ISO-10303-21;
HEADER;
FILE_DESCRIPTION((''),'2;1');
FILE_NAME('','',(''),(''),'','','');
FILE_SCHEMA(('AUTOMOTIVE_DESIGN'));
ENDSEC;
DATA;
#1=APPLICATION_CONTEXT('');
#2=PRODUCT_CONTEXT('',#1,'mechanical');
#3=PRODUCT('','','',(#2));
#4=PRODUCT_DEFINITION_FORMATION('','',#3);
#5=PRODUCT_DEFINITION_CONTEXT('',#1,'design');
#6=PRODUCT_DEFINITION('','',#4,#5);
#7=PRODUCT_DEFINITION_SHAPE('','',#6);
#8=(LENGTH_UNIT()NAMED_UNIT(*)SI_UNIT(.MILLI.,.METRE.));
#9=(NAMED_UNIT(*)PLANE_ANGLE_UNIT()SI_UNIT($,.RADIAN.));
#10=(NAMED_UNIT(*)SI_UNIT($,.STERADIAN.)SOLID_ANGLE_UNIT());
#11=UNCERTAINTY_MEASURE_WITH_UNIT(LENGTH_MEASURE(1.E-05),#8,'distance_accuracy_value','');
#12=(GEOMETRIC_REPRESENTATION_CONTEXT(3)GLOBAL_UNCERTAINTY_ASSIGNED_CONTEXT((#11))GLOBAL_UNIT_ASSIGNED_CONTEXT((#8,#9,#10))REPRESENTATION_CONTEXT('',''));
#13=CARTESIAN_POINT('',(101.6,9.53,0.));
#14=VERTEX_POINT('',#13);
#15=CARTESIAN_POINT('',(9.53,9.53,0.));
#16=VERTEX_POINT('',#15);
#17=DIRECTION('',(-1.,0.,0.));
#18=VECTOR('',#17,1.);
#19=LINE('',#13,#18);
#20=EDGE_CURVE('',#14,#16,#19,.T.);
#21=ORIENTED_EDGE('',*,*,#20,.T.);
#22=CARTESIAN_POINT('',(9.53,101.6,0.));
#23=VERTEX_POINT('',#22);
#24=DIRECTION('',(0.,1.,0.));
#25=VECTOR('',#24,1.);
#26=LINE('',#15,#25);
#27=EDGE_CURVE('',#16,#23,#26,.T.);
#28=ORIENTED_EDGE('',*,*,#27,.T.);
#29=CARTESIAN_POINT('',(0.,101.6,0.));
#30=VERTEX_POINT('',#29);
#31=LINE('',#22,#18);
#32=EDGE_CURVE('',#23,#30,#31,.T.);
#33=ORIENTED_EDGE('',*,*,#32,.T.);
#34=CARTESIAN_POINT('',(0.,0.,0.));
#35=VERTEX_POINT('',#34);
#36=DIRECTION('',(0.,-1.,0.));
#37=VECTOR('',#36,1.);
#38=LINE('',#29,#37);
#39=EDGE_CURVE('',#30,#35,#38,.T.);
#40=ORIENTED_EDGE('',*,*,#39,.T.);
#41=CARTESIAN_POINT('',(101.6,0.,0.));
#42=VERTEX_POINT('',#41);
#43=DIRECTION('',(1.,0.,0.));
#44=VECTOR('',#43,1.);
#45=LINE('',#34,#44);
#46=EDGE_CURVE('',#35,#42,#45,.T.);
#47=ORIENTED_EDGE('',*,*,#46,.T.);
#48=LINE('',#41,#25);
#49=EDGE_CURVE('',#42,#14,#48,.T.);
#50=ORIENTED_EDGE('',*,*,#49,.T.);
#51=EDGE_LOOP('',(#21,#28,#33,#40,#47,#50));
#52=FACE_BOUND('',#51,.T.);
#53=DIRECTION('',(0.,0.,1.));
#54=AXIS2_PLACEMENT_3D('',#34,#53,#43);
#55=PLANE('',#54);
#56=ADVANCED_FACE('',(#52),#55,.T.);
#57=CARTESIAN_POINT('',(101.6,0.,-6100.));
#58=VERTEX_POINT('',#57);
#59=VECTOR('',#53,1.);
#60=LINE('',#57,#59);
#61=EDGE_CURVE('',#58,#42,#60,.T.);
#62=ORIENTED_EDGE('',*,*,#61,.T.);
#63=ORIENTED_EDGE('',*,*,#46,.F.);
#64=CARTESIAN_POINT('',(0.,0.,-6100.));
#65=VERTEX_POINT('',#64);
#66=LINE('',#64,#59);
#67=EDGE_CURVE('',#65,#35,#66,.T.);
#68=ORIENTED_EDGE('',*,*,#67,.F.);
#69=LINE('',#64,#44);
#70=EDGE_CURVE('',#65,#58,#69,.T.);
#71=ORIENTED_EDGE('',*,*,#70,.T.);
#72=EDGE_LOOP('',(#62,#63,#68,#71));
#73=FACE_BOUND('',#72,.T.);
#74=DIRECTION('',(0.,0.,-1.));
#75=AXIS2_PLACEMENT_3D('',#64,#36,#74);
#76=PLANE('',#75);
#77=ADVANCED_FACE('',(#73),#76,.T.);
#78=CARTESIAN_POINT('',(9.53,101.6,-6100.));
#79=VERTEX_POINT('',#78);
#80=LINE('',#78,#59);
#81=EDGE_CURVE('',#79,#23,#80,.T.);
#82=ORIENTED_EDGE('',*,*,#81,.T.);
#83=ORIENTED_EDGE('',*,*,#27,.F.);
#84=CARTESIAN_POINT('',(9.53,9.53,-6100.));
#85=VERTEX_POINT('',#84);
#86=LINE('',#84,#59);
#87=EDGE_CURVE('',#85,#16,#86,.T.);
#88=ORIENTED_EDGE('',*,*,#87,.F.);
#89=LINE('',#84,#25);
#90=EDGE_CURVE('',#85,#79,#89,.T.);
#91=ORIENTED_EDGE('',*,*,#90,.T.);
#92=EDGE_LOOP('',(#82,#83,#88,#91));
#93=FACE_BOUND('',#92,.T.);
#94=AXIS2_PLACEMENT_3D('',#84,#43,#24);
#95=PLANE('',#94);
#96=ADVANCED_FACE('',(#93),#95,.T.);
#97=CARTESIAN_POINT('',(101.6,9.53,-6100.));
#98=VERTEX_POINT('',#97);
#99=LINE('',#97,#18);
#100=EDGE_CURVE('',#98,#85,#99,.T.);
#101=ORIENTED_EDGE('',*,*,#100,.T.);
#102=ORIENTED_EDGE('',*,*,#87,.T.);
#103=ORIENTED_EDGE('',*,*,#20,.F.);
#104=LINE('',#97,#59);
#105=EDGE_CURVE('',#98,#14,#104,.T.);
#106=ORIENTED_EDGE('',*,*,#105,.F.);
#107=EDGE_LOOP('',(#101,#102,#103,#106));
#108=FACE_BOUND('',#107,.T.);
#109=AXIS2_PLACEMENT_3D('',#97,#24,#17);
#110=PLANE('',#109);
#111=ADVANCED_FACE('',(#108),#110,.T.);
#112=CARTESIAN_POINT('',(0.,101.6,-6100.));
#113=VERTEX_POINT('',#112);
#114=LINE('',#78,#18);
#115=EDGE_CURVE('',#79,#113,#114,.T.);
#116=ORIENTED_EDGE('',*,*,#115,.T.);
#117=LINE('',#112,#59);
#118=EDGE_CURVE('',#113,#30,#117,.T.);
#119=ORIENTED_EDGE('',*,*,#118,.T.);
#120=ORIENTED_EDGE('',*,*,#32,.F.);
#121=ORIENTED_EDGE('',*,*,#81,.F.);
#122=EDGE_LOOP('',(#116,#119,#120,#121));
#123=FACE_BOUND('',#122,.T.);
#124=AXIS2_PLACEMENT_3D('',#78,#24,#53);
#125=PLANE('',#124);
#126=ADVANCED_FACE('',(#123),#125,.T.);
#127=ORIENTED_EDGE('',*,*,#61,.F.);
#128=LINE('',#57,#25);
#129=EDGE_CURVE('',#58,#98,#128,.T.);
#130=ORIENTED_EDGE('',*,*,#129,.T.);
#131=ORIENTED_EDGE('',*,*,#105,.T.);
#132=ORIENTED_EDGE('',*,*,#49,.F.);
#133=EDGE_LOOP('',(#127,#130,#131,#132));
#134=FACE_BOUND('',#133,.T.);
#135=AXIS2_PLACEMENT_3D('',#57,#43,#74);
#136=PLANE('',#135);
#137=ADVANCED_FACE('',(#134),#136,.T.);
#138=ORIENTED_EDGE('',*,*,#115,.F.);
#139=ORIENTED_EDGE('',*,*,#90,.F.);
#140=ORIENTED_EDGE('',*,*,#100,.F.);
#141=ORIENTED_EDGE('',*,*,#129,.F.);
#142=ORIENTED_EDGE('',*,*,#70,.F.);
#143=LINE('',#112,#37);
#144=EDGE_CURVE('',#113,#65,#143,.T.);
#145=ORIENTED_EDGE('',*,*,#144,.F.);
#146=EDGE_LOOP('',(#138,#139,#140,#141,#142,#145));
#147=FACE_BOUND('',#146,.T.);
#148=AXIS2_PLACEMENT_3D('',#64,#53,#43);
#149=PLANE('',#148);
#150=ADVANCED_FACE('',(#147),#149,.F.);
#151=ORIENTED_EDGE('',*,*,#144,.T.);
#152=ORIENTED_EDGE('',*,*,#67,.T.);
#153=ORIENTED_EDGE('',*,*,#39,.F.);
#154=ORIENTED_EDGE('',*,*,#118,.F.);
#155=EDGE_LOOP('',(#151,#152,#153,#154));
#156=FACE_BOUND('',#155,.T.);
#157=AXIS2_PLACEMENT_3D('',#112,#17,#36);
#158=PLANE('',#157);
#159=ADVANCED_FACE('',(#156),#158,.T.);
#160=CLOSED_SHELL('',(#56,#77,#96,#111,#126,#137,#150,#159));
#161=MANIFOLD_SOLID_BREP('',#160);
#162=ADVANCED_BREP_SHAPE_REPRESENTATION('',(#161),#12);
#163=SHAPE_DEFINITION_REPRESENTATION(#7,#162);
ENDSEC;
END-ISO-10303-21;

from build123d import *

# Parameters (mm, degrees)
SALIENTE_EXTRUIR1_DEPTH = 6100


with BuildPart() as part:
    # Croquis1 → Saliente-Extruir1 (new body)
    with BuildSketch(Plane.XY):
        Polygon((0, 101.6), (0, 0), (101.6, 0), (101.6, 9.53), (9.53, 9.53), (9.53, 101.6), align=None)
    extrude(amount=-SALIENTE_EXTRUIR1_DEPTH)


solid = part.part
